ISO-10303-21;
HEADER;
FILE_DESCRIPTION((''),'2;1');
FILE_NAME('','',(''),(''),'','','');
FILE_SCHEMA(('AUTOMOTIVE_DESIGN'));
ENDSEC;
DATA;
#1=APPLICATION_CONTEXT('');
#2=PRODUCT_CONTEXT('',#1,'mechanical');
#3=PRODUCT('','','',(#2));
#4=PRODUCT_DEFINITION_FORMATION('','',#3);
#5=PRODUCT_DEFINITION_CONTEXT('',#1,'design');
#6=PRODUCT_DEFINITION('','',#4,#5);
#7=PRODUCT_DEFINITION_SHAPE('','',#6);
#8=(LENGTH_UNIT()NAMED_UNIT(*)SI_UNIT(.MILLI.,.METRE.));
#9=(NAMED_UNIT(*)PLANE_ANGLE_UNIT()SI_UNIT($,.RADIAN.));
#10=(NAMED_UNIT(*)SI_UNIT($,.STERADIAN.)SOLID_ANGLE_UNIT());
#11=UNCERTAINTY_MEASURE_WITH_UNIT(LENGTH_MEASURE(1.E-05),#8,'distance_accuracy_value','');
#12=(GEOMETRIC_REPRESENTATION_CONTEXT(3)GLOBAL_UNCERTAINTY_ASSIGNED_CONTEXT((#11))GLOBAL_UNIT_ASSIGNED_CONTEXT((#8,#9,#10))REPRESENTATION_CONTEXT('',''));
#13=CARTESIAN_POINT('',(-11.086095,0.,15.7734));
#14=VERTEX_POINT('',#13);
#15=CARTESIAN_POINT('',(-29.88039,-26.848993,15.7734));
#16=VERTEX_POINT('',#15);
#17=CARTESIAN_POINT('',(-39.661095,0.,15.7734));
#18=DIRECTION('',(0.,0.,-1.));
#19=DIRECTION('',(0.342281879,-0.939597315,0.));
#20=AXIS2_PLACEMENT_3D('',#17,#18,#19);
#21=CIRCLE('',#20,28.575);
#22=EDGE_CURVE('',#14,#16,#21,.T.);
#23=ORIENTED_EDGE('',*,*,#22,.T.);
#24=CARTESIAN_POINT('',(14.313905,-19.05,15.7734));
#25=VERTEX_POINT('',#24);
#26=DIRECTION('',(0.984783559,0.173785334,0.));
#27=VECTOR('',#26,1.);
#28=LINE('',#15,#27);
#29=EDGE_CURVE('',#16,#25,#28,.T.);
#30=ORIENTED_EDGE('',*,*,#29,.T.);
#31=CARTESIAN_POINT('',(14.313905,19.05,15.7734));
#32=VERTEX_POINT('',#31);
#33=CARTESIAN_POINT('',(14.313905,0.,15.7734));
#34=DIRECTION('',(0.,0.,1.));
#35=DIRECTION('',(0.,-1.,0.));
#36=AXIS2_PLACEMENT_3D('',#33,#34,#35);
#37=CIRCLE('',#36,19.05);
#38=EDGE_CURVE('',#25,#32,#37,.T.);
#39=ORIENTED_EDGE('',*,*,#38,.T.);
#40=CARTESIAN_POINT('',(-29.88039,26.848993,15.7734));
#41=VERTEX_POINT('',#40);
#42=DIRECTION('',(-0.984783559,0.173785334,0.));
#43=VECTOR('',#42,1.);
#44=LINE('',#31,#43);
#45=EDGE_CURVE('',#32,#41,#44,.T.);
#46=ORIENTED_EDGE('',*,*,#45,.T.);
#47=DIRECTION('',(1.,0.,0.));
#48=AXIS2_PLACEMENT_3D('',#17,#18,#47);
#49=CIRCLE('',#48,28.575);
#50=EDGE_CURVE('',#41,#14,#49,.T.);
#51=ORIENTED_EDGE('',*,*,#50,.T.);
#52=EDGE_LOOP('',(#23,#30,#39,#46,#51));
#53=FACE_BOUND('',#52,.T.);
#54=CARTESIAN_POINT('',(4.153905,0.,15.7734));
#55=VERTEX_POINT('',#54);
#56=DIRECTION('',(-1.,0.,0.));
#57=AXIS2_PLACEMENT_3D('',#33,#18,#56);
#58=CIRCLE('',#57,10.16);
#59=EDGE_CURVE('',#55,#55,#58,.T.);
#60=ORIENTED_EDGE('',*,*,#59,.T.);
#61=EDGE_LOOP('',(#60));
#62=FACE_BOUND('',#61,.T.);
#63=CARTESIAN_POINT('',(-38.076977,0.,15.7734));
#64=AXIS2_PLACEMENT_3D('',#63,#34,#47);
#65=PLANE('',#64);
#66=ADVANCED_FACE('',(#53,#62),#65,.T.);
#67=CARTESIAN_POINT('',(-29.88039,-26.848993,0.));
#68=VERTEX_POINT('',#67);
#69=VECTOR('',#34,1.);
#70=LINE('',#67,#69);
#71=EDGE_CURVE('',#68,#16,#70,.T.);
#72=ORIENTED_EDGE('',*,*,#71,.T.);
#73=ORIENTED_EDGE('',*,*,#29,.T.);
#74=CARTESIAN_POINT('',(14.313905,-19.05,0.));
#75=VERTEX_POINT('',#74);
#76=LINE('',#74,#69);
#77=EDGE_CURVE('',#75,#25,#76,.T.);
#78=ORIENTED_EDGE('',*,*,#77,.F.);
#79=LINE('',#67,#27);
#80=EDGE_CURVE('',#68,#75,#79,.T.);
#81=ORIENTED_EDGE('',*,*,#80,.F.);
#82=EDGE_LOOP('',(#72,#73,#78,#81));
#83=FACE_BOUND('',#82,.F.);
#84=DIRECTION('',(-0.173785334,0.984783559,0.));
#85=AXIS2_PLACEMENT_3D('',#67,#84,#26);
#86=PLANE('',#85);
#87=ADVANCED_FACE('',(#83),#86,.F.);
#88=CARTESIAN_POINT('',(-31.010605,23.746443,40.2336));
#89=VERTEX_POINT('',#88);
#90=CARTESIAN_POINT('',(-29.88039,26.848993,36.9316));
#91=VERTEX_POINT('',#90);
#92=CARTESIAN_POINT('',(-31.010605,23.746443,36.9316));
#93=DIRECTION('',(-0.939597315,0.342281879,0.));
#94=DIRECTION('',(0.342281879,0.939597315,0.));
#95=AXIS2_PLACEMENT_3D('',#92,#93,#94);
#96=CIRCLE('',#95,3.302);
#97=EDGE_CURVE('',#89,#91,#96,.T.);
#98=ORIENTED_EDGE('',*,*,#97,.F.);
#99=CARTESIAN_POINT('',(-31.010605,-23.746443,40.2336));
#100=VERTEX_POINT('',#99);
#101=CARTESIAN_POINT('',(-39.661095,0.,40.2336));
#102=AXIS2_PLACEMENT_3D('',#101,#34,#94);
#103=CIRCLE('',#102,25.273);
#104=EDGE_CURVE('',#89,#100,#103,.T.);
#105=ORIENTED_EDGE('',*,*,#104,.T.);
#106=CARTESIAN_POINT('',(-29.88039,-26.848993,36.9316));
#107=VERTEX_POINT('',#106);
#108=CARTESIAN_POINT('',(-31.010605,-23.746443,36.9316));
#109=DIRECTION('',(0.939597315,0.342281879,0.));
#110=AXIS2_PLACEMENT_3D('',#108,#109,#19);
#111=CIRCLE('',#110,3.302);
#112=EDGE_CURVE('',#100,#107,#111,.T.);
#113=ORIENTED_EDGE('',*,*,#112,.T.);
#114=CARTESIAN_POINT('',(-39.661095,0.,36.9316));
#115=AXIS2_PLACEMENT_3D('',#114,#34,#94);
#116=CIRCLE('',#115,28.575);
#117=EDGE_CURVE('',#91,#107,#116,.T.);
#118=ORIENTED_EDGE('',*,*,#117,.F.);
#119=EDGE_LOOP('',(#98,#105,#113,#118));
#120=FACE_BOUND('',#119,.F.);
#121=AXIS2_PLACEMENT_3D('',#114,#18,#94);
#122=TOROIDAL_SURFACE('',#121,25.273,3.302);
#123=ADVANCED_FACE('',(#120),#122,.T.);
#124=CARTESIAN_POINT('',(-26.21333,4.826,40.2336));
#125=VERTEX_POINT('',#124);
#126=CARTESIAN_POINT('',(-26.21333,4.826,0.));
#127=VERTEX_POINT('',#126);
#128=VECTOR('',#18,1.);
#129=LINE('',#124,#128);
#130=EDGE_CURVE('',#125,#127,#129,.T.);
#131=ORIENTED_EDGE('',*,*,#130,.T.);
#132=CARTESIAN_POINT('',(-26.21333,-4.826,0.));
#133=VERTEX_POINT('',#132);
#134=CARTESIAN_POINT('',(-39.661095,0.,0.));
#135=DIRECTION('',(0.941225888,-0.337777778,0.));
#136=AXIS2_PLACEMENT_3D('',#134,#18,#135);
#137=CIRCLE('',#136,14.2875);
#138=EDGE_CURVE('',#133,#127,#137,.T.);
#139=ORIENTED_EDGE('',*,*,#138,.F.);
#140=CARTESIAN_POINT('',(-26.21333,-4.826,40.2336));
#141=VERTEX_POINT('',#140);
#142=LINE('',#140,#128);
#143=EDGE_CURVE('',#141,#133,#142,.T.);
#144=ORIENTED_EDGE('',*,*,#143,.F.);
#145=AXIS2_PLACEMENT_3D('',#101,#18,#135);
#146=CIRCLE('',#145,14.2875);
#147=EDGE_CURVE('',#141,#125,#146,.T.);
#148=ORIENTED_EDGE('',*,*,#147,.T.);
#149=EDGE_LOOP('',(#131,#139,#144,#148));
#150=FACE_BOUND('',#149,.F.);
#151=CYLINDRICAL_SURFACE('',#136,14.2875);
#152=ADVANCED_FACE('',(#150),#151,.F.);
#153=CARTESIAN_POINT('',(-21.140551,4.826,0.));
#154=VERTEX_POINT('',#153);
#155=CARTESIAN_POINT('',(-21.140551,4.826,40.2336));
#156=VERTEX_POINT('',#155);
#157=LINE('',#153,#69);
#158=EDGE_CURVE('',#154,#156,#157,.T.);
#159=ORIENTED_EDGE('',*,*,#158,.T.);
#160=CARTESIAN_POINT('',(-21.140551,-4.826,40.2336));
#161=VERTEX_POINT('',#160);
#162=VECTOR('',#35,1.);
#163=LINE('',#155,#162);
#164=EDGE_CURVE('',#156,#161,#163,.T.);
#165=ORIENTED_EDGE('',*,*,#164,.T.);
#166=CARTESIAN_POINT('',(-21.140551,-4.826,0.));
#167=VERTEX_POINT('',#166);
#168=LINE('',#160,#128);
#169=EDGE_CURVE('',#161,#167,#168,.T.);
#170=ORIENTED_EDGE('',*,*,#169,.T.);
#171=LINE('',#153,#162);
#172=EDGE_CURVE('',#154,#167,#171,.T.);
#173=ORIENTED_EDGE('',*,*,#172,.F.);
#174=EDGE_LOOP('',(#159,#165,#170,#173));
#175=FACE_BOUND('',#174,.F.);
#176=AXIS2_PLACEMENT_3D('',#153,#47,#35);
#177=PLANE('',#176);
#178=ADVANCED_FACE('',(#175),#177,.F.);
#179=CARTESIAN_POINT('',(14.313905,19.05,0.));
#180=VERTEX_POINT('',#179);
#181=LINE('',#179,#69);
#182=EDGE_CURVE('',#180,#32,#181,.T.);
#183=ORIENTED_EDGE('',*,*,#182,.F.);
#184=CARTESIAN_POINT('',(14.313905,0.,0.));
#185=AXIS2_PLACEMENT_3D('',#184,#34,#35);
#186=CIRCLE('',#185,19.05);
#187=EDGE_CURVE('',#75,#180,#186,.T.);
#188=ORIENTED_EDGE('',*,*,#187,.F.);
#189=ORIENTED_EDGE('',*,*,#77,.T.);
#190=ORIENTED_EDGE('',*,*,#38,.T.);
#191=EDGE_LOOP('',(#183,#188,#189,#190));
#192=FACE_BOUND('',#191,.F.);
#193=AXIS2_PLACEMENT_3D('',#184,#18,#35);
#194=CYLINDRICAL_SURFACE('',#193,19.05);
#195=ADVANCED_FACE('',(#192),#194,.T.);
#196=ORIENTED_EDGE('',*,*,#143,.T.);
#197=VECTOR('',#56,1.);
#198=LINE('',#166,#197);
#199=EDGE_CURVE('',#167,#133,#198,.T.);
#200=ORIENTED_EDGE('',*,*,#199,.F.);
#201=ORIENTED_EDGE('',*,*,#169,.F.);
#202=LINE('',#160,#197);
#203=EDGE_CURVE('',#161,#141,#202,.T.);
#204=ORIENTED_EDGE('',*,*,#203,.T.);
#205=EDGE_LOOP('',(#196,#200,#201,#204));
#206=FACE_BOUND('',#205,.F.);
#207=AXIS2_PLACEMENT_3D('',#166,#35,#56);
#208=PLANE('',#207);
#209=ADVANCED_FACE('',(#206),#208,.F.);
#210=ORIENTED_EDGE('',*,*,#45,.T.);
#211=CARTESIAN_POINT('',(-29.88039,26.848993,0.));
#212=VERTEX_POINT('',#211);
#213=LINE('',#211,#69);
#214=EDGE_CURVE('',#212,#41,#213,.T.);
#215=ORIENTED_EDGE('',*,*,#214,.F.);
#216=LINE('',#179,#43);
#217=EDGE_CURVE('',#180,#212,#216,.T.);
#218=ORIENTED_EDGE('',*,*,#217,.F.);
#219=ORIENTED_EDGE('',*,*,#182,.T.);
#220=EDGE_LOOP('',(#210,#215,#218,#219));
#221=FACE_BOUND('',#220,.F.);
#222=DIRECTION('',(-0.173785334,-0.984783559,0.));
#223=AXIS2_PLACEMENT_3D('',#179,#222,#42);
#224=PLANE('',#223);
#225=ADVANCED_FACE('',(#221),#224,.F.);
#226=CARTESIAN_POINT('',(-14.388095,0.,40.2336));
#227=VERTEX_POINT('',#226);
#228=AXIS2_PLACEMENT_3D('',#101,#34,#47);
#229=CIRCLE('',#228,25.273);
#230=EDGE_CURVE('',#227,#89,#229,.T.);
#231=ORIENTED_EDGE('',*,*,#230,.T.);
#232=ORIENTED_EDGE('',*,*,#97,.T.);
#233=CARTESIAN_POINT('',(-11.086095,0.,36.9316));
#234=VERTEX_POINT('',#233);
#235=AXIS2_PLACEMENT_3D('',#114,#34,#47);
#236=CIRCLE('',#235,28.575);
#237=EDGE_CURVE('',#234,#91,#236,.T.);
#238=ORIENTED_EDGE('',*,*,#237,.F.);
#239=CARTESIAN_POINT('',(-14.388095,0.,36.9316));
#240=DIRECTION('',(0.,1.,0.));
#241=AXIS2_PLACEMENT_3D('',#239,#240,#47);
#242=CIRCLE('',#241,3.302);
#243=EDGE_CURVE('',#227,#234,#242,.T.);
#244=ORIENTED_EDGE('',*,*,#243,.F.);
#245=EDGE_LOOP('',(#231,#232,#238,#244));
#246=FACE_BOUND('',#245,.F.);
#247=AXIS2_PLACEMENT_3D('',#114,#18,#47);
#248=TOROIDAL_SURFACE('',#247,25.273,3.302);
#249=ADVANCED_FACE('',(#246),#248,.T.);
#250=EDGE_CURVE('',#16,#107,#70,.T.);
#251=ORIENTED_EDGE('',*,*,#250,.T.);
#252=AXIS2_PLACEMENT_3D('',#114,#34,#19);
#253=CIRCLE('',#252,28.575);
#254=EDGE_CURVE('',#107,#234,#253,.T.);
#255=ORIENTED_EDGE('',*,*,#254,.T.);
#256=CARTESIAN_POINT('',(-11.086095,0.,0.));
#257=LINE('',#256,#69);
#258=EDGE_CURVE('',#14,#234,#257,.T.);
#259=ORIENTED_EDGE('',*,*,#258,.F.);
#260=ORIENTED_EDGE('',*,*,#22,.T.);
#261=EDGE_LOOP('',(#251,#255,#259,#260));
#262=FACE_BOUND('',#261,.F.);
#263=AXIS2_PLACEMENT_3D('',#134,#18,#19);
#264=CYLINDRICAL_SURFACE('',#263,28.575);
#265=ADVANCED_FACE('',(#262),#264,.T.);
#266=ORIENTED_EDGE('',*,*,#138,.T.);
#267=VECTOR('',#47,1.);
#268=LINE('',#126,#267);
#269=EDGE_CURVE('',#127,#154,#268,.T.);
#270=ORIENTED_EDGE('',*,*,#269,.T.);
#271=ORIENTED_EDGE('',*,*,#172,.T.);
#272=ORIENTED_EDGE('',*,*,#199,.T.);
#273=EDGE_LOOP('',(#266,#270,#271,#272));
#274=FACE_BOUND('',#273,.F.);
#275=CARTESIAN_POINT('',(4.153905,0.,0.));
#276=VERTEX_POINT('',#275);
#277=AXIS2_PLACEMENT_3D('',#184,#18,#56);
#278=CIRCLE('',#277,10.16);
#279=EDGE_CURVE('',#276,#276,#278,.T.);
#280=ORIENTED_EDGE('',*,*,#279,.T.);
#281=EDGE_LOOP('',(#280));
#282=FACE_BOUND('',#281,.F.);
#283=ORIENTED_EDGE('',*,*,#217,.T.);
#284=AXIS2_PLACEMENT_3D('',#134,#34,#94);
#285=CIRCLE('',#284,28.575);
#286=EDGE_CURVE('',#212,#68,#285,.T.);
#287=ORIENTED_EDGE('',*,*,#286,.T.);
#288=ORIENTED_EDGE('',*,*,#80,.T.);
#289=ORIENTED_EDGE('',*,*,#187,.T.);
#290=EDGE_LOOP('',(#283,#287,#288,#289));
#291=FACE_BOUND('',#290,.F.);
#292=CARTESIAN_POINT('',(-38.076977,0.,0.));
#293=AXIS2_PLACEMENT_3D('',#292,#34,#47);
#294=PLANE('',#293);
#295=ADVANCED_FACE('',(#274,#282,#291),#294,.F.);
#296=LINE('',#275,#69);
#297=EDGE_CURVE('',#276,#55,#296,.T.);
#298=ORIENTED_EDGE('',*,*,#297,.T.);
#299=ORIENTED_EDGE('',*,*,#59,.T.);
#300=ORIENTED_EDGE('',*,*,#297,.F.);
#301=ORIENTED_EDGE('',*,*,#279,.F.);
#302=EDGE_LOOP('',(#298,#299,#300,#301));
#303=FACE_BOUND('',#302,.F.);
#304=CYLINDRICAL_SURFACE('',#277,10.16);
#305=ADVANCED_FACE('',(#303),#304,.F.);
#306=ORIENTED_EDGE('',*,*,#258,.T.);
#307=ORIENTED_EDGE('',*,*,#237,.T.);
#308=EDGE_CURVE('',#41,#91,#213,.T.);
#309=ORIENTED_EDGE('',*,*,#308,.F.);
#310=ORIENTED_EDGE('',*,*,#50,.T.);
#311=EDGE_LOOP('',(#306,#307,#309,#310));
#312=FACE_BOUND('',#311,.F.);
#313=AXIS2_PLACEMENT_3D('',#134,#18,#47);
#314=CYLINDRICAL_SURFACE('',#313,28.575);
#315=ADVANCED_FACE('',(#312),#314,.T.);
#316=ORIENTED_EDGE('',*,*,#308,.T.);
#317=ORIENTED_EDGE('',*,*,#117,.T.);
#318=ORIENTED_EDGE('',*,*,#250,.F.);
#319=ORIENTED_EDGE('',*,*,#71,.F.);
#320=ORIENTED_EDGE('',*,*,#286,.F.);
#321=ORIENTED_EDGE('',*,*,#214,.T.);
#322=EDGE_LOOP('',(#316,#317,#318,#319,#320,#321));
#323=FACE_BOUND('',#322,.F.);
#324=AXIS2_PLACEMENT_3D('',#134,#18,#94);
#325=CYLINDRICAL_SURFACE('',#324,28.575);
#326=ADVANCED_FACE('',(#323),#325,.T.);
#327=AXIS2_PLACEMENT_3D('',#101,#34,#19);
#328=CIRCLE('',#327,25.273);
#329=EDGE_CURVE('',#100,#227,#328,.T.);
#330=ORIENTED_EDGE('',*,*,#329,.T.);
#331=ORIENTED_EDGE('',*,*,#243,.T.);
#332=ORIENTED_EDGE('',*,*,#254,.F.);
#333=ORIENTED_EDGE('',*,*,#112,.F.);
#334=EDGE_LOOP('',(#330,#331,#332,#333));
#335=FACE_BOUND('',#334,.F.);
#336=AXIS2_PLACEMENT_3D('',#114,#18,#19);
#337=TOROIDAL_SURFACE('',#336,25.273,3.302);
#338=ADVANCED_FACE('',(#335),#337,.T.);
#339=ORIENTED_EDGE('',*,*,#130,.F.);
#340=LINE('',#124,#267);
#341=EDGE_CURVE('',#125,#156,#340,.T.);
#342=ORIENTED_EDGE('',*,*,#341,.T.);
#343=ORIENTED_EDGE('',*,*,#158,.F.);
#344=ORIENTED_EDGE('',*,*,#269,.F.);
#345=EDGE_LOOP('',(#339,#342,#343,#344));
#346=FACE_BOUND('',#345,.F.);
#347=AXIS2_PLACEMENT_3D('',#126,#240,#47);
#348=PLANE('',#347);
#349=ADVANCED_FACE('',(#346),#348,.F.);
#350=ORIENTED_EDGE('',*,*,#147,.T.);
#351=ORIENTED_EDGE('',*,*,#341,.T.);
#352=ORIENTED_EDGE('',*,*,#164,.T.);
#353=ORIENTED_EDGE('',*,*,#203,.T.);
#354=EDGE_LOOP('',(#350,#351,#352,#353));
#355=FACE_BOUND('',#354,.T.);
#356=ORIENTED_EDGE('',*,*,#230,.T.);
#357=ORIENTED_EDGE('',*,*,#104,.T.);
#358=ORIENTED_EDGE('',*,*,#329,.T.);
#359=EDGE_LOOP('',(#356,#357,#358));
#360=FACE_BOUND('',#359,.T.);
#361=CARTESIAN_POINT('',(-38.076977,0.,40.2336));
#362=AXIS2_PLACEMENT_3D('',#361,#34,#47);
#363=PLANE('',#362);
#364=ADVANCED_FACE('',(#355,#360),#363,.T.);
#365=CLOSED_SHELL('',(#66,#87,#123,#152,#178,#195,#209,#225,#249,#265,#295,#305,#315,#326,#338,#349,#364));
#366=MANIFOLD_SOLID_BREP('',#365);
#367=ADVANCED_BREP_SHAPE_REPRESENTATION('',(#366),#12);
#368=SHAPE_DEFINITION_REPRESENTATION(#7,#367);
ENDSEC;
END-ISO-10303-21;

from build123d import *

# Parameters (mm, degrees)
F1_DEPTH = 40.2336
F2_DEPTH = 15.7734
F3_R     = 3.302


with BuildPart() as f1:
    # F0 (on Top) → F1 (new body)
    with BuildSketch(Plane.XY):
        with BuildLine():
            ThreePointArc((-29.8803903858, -26.8489932886), (-16.251542955, -16.3866864902), (-11.0860950838, 0))
            ThreePointArc((-11.0860950838, 0), (-16.251542955, 16.3866864902), (-29.8803903858, 26.8489932886))
            ThreePointArc((-29.8803903858, 26.8489932886), (-68.2360950838, 0), (-29.8803903858, -26.8489932886))
        make_face()
        with BuildLine():
            Line((-21.1405511945, 4.826), (-21.1405511945, 0))
            Line((-21.1405511945, 0), (-21.1405511945, -4.826))
            Line((-21.1405511945, -4.826), (-26.2133302045, -4.826))
            ThreePointArc((-26.2133302045, -4.826), (-53.9485950838, 0), (-26.2133302045, 4.826))
            Line((-26.2133302045, 4.826), (-21.1405511945, 4.826))
        make_face(mode=Mode.SUBTRACT)
    extrude(amount=F1_DEPTH)

    # F0 (on Top) → F2 (join)
    with BuildSketch(Plane.XY):
        with BuildLine():
            ThreePointArc((-29.8803903858, -26.8489932886), (-16.251542955, -16.3866864902), (-11.0860950838, 0))
            ThreePointArc((-11.0860950838, 0), (-16.251542955, 16.3866864902), (-29.8803903858, 26.8489932886))
            ThreePointArc((-29.8803903858, 26.8489932886), (-68.2360950838, 0), (-29.8803903858, -26.8489932886))
        make_face()
        with BuildLine():
            Line((-21.1405511945, 4.826), (-21.1405511945, 0))
            Line((-21.1405511945, 0), (-21.1405511945, -4.826))
            Line((-21.1405511945, -4.826), (-26.2133302045, -4.826))
            ThreePointArc((-26.2133302045, -4.826), (-53.9485950838, 0), (-26.2133302045, 4.826))
            Line((-26.2133302045, 4.826), (-21.1405511945, 4.826))
        make_face(mode=Mode.SUBTRACT)
        with BuildLine():
            ThreePointArc((-29.8803903858, 26.8489932886), (-16.251542955, 16.3866864902), (-11.0860950838, 0))
            ThreePointArc((-11.0860950838, 0), (-16.251542955, -16.3866864902), (-29.8803903858, -26.8489932886))
            Line((-29.8803903858, -26.8489932886), (14.3139049162, -19.05))
            ThreePointArc((14.3139049162, -19.05), (33.3639049162, 0), (14.3139049162, 19.05))
            Line((14.3139049162, 19.05), (-29.8803903858, 26.8489932886))
        make_face()
        with BuildLine():
            ThreePointArc((24.4739049162, 0), (14.3139049162, -10.16), (4.1539049162, 0))
            ThreePointArc((4.1539049162, 0), (14.3139049162, 10.16), (24.4739049162, 0))
        make_face(mode=Mode.SUBTRACT)
    extrude(amount=F2_DEPTH)

    # F3
    f3_edges = [f1.edges().sort_by_distance(p)[0] for p in [
        (-49.4418, 26.848993, 40.2336),
    ]]
    fillet(f3_edges, radius=F3_R)


solid = f1.part
